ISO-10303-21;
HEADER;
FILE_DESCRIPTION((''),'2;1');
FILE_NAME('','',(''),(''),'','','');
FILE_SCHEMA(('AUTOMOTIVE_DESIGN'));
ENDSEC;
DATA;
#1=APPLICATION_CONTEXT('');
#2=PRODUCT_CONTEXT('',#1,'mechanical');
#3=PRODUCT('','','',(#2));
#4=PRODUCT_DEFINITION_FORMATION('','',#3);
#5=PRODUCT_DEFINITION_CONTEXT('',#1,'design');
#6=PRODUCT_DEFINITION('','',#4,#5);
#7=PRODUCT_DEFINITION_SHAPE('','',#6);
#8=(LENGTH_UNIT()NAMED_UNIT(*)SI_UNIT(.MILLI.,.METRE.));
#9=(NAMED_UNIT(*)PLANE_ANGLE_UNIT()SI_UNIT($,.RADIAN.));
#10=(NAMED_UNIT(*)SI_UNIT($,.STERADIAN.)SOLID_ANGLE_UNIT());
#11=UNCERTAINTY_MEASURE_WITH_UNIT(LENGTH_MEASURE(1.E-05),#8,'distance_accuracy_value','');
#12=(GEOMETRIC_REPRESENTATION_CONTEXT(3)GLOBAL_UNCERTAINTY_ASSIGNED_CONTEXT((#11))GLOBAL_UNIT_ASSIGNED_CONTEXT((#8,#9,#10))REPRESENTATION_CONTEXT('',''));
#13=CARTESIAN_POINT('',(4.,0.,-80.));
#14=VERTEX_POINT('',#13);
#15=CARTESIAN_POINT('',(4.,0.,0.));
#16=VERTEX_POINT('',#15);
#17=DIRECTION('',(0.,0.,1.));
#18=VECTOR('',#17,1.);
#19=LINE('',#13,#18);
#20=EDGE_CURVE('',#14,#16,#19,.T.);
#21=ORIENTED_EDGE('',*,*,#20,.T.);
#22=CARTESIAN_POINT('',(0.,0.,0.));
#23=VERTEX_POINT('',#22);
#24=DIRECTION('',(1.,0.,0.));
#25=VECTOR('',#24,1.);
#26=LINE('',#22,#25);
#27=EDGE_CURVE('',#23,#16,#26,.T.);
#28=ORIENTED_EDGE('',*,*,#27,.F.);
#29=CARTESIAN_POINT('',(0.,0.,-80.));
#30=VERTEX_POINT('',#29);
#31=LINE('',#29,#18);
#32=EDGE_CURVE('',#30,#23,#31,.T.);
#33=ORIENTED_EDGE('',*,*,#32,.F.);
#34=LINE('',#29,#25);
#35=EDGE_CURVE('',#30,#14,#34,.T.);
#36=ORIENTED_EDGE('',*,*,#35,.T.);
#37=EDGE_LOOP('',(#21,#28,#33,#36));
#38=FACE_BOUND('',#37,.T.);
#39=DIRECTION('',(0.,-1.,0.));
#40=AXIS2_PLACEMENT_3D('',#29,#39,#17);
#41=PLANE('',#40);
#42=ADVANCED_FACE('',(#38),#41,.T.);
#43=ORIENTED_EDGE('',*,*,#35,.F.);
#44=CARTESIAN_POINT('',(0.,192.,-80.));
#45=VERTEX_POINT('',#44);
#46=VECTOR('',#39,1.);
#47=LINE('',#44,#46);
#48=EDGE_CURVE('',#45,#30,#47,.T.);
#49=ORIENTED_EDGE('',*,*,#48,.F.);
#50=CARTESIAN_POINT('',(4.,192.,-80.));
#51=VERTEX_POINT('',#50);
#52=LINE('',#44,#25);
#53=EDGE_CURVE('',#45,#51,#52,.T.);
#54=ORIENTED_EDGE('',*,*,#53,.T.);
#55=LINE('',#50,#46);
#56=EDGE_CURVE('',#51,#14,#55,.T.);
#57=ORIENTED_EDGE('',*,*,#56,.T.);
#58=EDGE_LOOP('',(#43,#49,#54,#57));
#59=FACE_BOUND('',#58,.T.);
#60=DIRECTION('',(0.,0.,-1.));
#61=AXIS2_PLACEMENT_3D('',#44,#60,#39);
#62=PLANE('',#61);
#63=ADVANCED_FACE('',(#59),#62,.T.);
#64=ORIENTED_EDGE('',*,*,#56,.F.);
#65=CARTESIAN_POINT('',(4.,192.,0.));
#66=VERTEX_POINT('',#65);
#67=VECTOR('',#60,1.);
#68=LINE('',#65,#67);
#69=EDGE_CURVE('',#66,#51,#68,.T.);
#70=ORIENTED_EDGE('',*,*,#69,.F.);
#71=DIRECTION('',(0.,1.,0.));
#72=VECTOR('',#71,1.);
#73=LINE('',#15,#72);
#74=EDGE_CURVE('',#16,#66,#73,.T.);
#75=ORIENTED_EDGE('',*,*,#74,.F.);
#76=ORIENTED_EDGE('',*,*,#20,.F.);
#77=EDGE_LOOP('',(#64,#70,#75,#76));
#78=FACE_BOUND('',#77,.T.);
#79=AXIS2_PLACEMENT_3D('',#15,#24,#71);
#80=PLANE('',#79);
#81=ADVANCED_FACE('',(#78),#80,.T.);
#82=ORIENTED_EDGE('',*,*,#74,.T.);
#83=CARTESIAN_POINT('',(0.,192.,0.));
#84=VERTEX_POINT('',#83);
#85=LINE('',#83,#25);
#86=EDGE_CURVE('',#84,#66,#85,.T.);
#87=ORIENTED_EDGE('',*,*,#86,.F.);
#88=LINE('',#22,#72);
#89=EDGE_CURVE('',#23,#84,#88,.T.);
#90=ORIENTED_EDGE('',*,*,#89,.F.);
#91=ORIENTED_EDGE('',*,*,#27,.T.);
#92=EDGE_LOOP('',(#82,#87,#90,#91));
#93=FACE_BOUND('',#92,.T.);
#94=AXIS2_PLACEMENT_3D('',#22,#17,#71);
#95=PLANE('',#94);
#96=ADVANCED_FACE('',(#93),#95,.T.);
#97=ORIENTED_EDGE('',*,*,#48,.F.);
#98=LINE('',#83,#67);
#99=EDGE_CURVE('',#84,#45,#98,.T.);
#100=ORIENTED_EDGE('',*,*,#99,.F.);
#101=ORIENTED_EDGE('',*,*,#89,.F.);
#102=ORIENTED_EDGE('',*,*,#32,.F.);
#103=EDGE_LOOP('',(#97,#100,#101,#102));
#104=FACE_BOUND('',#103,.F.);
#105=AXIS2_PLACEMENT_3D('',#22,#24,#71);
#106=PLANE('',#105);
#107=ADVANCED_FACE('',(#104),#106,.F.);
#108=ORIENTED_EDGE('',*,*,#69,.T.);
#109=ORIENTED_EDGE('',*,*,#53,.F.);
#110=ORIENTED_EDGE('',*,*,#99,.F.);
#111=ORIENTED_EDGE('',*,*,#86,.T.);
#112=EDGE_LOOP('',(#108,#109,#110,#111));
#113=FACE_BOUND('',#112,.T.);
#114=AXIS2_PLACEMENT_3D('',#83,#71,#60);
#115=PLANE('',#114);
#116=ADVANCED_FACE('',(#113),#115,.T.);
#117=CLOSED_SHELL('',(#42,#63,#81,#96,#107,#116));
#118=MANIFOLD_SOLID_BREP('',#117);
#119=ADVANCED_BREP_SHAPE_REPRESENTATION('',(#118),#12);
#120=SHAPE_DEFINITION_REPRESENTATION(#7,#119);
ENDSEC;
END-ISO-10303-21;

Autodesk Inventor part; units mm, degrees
ref_plane "YZ Plane" through (0, 0, 0) normal (1, 0, 0) x (0, 1, 0)
ref_plane "XZ Plane" through (0, 0, 0) normal (0, 1, 0) x (-1, 0, 0)
ref_plane "XY Plane" through (0, 0, 0) normal (0, 0, 1) x (1, 0, 0)
sketch "Skizze1" plane through (0, 0, 0) normal (1, 0, 0) x (0, 1, 0)
  line L0 (0, 0) -> (192, 0)
  line L1 (192, 0) -> (192, -80)
  line L2 (192, -80) -> (0, -80)
  line L3 (0, -80) -> (0, 0)
  dimension "d0" = 192
  dimension "d1" = 80
extrude "Extrusion1" add sketch "Skizze1" along normal blind 4
properties part number "TorraumSeitenplatte"
